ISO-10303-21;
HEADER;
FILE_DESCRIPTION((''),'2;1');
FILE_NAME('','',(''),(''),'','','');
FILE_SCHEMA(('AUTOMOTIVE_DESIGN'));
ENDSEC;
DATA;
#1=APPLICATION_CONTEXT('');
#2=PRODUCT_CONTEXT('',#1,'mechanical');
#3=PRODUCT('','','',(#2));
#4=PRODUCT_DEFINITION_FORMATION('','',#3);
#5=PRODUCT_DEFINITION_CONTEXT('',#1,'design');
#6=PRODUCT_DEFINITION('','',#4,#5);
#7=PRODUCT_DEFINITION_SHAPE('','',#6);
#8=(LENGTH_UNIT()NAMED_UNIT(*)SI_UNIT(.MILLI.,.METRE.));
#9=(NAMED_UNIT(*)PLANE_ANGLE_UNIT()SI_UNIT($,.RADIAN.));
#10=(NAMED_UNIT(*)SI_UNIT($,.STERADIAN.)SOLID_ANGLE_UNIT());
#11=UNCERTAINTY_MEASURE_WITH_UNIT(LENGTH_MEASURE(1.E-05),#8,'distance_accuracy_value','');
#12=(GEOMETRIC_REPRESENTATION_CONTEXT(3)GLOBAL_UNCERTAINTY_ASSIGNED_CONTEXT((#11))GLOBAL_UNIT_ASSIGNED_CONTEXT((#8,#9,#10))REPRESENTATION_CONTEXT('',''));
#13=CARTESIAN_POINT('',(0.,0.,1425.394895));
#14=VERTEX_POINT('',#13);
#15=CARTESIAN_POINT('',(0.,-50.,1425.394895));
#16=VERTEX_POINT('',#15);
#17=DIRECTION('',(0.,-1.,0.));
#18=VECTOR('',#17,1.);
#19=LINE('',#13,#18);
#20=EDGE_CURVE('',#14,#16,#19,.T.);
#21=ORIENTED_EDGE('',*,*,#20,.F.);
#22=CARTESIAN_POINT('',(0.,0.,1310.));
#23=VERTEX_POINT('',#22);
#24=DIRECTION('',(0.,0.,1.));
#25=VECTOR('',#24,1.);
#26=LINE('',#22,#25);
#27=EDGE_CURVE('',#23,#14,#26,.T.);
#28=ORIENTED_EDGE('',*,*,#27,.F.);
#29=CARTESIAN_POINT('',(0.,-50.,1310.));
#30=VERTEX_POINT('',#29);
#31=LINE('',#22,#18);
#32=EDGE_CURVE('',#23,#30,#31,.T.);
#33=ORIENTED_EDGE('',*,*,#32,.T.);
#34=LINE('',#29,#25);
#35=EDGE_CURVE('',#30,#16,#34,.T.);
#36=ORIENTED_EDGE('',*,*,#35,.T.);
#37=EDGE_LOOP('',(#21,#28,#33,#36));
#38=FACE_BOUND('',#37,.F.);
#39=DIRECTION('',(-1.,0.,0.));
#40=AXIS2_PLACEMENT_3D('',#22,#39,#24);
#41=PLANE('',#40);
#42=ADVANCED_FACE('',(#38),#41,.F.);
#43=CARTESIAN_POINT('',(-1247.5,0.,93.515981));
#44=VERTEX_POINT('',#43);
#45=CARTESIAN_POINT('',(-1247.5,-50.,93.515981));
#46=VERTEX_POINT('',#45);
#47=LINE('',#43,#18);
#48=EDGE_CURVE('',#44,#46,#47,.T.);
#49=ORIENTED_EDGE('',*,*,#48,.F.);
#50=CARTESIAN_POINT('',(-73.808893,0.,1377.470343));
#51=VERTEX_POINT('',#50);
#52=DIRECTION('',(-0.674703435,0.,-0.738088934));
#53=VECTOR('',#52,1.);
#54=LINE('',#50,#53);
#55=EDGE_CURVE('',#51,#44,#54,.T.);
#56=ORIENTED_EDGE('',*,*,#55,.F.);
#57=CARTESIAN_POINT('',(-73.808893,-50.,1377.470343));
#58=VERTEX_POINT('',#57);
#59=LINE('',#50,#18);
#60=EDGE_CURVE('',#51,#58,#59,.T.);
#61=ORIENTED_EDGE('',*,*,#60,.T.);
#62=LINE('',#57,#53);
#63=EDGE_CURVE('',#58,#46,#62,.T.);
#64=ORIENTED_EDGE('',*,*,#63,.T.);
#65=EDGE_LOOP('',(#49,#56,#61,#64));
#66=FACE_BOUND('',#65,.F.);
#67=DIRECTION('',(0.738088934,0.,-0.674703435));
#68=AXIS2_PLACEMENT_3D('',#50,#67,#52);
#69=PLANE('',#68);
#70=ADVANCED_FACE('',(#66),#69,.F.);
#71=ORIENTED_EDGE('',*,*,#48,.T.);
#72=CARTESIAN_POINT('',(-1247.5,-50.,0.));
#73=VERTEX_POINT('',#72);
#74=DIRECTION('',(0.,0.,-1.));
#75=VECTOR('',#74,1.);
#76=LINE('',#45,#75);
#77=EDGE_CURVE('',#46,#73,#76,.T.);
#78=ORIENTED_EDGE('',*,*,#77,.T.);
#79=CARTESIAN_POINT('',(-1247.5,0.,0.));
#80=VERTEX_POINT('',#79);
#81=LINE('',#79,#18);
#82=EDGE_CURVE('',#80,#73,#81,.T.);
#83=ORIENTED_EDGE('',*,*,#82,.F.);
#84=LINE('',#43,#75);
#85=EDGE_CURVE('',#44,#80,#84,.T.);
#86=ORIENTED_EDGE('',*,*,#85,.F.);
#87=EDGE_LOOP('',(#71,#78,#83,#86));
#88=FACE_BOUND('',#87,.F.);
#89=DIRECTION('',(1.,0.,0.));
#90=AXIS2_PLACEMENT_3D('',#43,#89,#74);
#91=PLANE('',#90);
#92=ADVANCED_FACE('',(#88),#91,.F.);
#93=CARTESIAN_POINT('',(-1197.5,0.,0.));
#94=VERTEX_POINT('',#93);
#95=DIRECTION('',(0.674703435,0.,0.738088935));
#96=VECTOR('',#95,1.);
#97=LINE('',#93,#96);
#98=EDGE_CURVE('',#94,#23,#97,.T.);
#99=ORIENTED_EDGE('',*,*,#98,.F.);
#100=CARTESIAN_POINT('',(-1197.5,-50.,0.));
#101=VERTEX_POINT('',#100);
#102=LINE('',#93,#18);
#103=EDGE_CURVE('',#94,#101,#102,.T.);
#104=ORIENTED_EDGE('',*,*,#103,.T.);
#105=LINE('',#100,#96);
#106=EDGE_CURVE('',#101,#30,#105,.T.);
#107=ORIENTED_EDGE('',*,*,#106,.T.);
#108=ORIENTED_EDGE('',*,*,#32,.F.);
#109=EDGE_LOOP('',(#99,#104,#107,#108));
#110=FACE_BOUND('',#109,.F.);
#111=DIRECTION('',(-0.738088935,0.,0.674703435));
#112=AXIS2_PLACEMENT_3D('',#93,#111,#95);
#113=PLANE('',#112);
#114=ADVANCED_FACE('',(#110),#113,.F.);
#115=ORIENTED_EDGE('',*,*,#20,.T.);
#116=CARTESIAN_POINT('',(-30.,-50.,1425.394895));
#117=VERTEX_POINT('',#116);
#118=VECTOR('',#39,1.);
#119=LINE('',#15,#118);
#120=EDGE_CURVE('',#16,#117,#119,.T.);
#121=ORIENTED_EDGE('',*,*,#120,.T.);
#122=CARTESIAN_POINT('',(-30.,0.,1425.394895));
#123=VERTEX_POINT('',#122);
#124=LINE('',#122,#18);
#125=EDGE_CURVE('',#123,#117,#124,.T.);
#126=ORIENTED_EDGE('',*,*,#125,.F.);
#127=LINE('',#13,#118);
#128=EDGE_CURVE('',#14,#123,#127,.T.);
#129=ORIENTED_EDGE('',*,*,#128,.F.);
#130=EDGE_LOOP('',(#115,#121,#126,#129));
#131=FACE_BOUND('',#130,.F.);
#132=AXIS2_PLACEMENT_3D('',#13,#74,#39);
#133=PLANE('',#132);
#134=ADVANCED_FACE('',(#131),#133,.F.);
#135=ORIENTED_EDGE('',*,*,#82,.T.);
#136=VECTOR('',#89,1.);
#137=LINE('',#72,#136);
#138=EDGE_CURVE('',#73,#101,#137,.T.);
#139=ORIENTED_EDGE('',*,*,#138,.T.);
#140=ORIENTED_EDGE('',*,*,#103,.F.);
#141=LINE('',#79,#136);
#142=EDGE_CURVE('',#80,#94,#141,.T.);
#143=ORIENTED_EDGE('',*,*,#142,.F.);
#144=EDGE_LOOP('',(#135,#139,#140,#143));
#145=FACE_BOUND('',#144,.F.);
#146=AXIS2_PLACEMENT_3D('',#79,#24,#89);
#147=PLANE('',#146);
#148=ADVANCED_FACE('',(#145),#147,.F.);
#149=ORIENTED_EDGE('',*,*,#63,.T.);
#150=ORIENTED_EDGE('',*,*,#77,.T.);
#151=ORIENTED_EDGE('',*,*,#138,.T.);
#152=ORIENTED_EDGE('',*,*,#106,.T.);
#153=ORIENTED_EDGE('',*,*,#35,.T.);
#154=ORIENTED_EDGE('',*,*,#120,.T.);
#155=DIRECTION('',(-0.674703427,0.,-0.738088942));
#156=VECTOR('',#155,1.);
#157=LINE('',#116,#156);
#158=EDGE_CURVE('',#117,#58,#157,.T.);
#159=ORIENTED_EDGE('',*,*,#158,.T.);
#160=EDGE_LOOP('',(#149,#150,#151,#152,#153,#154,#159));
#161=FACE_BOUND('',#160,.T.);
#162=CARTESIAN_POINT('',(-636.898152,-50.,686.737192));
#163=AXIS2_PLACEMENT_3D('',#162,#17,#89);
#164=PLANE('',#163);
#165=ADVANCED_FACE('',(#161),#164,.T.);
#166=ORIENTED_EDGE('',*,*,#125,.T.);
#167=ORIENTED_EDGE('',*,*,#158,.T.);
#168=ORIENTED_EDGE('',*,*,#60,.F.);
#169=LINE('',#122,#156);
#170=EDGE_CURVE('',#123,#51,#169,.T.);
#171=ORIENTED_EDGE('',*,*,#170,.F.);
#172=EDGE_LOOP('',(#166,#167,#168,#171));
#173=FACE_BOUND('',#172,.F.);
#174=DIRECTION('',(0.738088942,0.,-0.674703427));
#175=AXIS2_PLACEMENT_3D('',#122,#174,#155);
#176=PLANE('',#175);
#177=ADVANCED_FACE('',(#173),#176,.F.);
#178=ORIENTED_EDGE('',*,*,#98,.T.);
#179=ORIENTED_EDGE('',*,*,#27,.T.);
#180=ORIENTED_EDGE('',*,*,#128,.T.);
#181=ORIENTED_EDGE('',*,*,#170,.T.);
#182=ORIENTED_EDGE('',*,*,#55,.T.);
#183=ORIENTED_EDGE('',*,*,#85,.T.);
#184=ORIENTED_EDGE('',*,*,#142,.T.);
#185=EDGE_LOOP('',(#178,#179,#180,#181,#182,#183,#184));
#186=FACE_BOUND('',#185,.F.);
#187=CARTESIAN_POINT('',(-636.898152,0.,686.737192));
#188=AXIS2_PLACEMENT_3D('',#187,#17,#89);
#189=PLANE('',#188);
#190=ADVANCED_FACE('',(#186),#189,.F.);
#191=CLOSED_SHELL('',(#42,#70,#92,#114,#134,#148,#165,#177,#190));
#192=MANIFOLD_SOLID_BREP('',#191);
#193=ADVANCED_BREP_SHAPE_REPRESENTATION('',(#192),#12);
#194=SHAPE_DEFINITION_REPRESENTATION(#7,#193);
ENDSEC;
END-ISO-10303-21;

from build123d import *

# Parameters (mm, degrees)
F1_DEPTH = 50


with BuildPart() as f1:
    # F0 (on Front) → F1 (new body)
    with BuildSketch(Plane.XZ):
        Polygon((-1197.5, 0), (0, 1310), (-73.808893, 1377.470343), (-1247.5, 93.515981), (-1247.5, 0), align=None)
        Polygon((-73.808893, 1377.470343), (0, 1310), (0, 1425.394895), (-30, 1425.394895), align=None)
    extrude(amount=F1_DEPTH)


solid = f1.part
